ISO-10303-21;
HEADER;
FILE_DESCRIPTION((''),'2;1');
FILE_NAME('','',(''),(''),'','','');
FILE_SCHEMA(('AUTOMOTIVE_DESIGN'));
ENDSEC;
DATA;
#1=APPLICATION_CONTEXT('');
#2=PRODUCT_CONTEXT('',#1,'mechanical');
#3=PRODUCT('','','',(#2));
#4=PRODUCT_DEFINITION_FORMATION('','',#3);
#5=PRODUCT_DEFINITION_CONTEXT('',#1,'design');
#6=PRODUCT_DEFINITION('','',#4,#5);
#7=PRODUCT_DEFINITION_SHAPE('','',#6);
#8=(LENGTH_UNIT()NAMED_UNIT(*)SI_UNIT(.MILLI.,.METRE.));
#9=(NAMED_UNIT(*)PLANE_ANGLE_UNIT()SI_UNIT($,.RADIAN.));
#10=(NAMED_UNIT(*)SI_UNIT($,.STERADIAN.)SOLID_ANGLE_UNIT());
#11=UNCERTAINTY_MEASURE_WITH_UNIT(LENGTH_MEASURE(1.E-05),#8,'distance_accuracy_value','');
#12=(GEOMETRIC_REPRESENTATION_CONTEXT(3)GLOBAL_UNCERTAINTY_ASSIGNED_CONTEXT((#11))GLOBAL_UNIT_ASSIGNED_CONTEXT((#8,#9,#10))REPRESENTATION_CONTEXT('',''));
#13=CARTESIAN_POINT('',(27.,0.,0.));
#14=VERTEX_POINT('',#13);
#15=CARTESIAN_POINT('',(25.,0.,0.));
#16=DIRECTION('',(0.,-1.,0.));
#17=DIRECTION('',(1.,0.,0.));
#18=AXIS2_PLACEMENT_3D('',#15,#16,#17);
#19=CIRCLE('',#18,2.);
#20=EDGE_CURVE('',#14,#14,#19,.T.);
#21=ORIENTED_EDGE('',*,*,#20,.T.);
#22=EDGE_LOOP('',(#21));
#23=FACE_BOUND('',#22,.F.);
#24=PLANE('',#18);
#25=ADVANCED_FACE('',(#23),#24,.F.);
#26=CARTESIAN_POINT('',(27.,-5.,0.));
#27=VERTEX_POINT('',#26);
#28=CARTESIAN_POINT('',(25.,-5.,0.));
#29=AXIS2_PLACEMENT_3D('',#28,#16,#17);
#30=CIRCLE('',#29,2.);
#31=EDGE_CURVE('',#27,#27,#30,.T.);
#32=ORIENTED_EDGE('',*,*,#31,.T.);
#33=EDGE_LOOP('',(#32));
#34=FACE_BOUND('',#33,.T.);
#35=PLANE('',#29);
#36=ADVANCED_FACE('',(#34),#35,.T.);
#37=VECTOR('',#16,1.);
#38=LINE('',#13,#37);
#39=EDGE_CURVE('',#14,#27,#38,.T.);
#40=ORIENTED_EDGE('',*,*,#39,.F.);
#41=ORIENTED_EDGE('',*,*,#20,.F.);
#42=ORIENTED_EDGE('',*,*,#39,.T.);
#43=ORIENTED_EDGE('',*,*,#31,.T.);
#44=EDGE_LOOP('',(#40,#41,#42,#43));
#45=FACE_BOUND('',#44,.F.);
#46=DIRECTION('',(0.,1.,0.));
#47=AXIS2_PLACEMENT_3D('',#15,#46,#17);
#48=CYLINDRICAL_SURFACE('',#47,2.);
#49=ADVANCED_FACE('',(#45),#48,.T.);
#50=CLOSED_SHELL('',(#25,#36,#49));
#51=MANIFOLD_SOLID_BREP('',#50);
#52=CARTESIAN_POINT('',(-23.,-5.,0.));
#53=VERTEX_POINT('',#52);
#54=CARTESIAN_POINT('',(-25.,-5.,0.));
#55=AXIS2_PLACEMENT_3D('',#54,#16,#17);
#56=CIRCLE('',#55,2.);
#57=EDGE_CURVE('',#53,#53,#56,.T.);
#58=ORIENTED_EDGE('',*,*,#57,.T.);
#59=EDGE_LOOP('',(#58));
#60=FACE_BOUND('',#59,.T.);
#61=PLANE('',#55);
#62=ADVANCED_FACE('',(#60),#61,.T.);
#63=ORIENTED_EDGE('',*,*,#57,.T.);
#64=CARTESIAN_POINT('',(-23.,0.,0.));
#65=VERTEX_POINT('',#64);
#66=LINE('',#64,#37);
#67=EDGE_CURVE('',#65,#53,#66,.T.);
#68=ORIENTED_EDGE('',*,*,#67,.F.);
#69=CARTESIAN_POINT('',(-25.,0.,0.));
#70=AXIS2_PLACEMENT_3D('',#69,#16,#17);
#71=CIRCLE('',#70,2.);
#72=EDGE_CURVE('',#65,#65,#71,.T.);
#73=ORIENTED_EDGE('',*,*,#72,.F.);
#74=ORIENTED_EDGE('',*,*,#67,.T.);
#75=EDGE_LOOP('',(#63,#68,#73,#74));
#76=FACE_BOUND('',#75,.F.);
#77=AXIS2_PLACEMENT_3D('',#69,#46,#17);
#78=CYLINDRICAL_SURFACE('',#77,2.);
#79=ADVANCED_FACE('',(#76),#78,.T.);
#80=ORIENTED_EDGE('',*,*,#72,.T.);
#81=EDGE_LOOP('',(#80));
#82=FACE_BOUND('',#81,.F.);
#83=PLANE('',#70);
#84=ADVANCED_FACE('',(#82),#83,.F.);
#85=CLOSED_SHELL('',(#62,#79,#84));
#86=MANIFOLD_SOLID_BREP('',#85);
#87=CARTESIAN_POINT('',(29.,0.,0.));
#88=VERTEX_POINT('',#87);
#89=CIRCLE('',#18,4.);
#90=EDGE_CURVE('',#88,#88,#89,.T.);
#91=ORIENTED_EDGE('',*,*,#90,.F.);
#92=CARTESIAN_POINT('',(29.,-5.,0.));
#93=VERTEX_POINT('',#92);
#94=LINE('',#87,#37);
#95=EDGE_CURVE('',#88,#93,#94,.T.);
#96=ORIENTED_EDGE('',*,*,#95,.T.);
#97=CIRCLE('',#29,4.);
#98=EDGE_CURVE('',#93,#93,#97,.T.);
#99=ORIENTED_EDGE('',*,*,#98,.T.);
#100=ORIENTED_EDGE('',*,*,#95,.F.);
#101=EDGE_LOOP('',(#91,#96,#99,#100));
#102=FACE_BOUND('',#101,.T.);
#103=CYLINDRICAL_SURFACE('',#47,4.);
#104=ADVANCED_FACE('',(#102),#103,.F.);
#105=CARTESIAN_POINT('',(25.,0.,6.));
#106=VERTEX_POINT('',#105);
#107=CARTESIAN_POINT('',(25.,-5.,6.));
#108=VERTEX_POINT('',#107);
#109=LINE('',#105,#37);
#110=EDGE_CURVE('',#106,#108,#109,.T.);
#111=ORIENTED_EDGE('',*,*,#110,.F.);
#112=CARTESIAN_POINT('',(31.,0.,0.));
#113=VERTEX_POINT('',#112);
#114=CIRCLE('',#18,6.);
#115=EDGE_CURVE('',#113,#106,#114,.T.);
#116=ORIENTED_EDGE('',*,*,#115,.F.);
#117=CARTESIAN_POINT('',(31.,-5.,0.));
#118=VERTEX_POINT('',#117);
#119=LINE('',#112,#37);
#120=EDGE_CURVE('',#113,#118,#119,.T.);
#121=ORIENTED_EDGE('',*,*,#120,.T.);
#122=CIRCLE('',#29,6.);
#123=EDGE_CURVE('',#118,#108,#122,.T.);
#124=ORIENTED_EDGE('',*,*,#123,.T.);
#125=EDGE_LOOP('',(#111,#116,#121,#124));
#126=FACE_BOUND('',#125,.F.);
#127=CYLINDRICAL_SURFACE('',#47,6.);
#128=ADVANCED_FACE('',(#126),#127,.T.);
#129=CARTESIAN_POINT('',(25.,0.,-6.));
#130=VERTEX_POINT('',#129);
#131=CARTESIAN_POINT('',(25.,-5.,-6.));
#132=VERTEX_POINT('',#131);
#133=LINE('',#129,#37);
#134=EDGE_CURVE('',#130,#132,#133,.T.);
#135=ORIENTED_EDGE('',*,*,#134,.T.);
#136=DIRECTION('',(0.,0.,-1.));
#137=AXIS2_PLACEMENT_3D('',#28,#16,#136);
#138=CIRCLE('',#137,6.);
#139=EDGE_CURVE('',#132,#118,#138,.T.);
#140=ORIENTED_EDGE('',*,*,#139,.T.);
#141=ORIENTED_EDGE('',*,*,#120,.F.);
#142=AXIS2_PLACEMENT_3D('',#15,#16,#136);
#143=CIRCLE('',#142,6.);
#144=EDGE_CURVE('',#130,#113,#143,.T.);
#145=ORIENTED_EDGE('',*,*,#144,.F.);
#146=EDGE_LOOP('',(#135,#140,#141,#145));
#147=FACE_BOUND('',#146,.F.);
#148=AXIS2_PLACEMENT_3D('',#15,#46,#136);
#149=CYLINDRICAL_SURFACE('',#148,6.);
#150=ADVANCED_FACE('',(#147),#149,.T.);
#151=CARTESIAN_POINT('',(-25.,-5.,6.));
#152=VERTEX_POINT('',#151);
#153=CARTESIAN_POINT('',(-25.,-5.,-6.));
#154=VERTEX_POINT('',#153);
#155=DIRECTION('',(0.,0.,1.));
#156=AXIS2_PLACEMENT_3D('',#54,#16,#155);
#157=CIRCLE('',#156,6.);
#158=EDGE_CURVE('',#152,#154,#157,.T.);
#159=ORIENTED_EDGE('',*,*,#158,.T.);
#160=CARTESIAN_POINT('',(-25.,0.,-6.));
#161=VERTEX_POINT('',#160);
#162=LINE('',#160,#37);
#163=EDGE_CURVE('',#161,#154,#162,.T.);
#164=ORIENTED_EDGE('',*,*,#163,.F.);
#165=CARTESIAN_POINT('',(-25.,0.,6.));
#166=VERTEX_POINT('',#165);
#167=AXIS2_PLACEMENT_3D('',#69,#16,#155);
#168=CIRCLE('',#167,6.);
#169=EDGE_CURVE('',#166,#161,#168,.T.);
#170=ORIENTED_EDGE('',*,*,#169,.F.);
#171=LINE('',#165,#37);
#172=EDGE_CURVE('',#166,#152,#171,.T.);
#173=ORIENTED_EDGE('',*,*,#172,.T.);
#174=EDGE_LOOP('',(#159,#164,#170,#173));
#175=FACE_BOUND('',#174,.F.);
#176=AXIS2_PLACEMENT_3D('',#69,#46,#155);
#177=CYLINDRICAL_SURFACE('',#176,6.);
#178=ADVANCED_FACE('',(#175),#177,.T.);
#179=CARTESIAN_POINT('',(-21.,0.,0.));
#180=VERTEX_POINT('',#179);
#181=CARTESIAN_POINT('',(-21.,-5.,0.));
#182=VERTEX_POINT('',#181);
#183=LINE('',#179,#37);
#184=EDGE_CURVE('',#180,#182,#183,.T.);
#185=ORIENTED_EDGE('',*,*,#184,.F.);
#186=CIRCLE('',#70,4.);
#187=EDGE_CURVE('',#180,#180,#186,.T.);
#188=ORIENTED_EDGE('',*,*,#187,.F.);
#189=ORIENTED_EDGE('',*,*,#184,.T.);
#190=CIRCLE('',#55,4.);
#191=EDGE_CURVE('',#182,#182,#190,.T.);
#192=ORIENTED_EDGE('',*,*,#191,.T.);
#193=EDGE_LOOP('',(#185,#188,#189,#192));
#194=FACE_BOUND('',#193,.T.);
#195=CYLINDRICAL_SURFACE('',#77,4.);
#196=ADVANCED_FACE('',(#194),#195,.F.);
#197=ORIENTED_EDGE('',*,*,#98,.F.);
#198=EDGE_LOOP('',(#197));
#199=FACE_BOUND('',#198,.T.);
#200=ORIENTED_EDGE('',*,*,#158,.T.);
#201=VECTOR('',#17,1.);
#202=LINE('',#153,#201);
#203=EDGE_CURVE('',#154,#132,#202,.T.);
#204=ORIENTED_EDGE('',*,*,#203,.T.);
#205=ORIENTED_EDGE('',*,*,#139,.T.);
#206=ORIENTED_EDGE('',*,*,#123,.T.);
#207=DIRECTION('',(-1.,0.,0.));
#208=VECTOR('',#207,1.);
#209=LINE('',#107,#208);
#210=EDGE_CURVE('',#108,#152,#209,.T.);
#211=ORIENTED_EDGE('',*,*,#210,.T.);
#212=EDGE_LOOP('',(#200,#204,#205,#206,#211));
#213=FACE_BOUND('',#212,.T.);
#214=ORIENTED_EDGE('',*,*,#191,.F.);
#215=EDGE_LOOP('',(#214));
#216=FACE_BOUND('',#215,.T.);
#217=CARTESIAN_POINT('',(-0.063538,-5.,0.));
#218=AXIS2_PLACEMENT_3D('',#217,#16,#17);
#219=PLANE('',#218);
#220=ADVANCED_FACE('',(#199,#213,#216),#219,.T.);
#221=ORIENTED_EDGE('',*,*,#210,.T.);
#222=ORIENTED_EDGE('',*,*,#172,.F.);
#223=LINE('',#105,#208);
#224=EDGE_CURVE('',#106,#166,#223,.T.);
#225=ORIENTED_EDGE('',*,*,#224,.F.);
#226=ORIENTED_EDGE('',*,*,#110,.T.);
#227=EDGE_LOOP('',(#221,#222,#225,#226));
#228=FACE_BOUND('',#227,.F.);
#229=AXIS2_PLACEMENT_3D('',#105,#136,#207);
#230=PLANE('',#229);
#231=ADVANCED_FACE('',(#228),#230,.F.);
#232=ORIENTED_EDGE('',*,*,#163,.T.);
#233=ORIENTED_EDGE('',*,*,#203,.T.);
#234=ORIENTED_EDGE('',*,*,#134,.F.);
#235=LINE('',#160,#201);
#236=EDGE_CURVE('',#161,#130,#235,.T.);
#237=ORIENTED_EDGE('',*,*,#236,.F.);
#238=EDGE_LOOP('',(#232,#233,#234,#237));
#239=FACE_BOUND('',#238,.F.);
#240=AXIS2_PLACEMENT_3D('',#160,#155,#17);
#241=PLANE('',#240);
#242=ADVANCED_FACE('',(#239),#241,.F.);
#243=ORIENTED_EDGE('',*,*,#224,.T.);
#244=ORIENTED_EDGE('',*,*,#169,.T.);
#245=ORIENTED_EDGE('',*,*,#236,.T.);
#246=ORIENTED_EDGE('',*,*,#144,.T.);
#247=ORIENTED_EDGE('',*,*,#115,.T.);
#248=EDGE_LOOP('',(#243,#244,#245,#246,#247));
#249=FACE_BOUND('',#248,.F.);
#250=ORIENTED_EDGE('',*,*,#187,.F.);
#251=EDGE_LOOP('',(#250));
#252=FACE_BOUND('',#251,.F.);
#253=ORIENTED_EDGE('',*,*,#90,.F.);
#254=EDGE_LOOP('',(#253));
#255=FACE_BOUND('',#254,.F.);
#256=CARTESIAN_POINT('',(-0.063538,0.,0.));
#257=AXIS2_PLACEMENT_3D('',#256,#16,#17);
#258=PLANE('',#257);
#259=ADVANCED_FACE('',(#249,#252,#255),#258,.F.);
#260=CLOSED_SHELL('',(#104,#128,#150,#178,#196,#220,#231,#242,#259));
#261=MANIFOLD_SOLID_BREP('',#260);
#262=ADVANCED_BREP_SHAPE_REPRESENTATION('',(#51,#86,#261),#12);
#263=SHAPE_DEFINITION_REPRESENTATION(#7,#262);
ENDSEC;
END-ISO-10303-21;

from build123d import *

# Parameters (mm, degrees)
F0_R     = 4
F1_DEPTH = 5
F0_R_2   = 2


with BuildPart() as f1:
    # F0 (on Front) → F1 (new body)
    with BuildSketch(Plane.XZ):
        with BuildLine():
            ThreePointArc((-25, 6), (-20.7573593129, 4.2426406871), (-19, 0))
            ThreePointArc((-19, 0), (-20.7573593129, -4.2426406871), (-25, -6))
            Line((-25, -6), (0, -6))
            Line((0, -6), (25, -6))
            ThreePointArc((25, -6), (19, 0), (25, 6))
            Line((25, 6), (0, 6))
            Line((0, 6), (-25, 6))
        make_face()
        with BuildLine():
            ThreePointArc((-25, -6), (-20.7573593129, -4.2426406871), (-19, 0))
            ThreePointArc((-19, 0), (-20.7573593129, 4.2426406871), (-25, 6))
            ThreePointArc((-25, 6), (-31, 0), (-25, -6))
        make_face()
        with Locations((-25, 0)):
            Circle(F0_R, mode=Mode.SUBTRACT)
        with BuildLine():
            ThreePointArc((31, 0), (29.2426406871, 4.2426406871), (25, 6))
            ThreePointArc((25, 6), (19, 0), (25, -6))
            ThreePointArc((25, -6), (29.2426406871, -4.2426406871), (31, 0))
        make_face()
        with Locations((25, 0)):
            Circle(F0_R, mode=Mode.SUBTRACT)
    extrude(amount=F1_DEPTH)


with BuildPart() as f1b:
    # F0 (on Front) → F1, piece 2 (new body)
    with BuildSketch(Plane.XZ):
        with Locations((-25, 0)):
            Circle(F0_R_2)
    extrude(amount=F1_DEPTH)


with BuildPart() as f1c:
    # F0 (on Front) → F1, piece 3 (new body)
    with BuildSketch(Plane.XZ):
        with Locations((25, 0)):
            Circle(F0_R_2)
    extrude(amount=F1_DEPTH)


solid = Compound([f1.part, f1b.part, f1c.part])
